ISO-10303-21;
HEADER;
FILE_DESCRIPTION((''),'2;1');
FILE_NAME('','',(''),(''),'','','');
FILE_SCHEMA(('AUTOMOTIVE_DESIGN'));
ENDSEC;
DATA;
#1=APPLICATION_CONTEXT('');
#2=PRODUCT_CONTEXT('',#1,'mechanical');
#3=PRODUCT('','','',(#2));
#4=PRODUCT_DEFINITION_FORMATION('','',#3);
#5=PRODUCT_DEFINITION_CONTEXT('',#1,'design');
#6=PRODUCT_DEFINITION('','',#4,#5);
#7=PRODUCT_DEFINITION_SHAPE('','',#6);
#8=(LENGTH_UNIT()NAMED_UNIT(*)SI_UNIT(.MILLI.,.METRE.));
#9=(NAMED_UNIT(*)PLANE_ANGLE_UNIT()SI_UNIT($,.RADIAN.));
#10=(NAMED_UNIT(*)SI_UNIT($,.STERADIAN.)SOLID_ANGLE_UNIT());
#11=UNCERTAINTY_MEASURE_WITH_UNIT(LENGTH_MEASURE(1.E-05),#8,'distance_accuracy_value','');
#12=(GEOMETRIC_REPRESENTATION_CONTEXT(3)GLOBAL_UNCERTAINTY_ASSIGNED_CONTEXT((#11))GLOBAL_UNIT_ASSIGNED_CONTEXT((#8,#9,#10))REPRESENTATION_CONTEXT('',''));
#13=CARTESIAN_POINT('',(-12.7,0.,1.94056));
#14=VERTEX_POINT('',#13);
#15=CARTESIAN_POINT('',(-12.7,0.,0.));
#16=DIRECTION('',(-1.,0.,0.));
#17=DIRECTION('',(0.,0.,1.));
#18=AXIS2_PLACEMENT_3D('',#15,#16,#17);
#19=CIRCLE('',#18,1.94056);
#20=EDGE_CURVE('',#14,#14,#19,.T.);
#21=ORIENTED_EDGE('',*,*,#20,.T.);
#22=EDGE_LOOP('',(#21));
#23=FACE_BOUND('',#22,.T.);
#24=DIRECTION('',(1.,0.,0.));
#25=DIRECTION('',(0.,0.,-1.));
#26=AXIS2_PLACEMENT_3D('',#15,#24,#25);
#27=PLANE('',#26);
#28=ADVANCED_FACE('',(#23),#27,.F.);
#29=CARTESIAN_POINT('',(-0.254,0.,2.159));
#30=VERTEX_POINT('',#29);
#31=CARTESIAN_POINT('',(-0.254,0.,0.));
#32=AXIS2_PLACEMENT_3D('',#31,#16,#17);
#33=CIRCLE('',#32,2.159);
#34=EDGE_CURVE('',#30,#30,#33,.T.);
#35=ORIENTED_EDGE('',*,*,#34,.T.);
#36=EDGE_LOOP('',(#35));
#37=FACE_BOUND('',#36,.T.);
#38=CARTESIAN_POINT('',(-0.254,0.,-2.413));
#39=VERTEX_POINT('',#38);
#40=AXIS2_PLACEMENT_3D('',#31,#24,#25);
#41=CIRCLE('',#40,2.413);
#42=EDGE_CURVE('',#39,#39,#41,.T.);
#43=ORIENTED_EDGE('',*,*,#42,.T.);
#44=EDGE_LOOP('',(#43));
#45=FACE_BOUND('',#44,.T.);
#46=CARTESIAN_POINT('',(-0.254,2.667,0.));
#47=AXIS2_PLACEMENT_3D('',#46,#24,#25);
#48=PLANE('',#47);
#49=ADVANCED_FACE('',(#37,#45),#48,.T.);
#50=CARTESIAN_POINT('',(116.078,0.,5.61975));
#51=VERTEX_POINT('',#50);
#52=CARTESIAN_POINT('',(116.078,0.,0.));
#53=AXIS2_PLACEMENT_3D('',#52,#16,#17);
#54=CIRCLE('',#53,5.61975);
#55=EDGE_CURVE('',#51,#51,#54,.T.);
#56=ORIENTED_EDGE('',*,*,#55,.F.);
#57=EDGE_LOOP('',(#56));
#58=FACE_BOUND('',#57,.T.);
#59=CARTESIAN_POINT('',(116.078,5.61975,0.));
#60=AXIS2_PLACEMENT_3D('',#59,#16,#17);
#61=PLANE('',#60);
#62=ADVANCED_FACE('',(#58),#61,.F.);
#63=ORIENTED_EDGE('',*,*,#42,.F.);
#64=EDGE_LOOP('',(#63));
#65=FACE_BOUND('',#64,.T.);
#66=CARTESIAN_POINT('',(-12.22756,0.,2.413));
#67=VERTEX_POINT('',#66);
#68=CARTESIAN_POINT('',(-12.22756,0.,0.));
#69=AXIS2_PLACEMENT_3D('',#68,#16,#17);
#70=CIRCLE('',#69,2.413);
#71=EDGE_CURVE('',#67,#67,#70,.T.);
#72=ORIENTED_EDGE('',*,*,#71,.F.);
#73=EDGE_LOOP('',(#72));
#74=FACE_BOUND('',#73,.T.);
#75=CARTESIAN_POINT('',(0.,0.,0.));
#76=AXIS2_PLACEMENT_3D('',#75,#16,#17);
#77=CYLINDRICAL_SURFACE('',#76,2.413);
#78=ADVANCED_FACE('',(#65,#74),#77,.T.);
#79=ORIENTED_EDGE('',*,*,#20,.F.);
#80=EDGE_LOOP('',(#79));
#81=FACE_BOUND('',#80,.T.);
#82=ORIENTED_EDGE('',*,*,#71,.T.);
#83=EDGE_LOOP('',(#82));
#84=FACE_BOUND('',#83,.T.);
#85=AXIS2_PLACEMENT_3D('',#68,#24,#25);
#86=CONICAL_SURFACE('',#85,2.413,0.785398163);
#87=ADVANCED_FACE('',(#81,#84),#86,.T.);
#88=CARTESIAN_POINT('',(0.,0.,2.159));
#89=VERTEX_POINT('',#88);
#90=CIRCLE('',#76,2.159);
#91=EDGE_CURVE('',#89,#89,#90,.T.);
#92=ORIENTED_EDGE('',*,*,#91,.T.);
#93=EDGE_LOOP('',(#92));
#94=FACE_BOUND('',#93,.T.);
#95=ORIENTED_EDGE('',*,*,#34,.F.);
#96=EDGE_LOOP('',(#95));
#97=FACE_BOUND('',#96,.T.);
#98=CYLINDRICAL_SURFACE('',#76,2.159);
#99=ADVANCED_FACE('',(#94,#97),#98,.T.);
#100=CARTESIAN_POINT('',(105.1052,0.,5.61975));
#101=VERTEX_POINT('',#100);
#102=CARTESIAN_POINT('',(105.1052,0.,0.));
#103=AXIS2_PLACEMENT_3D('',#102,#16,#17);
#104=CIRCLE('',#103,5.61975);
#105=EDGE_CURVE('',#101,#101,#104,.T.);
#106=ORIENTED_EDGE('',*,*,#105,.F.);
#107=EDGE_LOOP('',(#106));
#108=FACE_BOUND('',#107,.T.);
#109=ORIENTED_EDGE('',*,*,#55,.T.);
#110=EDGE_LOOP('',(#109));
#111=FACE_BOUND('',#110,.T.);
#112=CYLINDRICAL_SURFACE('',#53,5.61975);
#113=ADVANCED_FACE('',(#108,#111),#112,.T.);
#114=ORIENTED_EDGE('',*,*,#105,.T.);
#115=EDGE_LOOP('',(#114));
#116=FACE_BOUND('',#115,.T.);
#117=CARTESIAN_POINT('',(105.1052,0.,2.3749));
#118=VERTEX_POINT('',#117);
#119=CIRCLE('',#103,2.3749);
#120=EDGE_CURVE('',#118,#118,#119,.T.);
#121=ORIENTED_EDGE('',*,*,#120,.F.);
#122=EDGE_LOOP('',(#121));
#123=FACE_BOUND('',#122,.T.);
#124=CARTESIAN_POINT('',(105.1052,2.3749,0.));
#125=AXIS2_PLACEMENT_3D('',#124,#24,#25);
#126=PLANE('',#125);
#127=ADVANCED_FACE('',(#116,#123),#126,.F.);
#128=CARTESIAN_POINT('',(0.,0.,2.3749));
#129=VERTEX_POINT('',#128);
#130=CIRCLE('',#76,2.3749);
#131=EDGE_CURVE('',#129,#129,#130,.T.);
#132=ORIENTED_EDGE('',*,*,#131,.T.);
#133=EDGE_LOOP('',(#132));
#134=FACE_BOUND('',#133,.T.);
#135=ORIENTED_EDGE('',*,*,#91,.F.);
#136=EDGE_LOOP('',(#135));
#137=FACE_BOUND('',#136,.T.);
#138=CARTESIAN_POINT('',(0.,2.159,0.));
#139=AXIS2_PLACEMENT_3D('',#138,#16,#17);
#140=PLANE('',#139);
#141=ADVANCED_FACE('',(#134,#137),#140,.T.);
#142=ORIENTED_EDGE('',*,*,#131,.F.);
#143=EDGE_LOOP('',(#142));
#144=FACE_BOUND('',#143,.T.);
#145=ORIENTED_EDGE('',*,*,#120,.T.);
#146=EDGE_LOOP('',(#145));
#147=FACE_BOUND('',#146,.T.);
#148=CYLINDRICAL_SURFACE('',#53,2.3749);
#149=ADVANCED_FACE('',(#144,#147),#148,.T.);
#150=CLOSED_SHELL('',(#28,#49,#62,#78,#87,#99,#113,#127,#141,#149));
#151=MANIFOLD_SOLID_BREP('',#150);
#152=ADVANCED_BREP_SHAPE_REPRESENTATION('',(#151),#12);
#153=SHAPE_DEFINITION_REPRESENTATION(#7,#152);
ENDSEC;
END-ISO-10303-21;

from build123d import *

# Parameters (mm, degrees)
SKETCH3_W = 0.254
SKETCH3_H = 0.508


with BuildPart() as part:
    # Sketch1 → Revolve1 (revolve)
    with BuildSketch(Plane.XY):
        Polygon((0, 0), (0, 2.3749), (105.1052, 2.3749), (105.1052, 5.61975), (116.078, 5.61975), (116.078, 0), align=None)
    revolve(axis=Axis((116.078, 0, 0), (-1, 0, 0)))

    # Sketch2 → Revolve2 (revolve)
    with BuildSketch(Plane.XY):
        Polygon((-12.7, 0), (-12.7, 1.94056), (-12.22756, 2.413), (0, 2.413), (0, 0), align=None)
    revolve(axis=Axis((0, 0, 0), (-1, 0, 0)))

    # Sketch3 → Cut-Revolve1 (revolve, cut)
    with BuildSketch(Plane.XY):
        with Locations((-0.127, 2.413)):
            Rectangle(SKETCH3_W, SKETCH3_H)
    revolve(axis=Axis((0, 0, 0), (-1, 0, 0)), mode=Mode.SUBTRACT)


solid = part.part
